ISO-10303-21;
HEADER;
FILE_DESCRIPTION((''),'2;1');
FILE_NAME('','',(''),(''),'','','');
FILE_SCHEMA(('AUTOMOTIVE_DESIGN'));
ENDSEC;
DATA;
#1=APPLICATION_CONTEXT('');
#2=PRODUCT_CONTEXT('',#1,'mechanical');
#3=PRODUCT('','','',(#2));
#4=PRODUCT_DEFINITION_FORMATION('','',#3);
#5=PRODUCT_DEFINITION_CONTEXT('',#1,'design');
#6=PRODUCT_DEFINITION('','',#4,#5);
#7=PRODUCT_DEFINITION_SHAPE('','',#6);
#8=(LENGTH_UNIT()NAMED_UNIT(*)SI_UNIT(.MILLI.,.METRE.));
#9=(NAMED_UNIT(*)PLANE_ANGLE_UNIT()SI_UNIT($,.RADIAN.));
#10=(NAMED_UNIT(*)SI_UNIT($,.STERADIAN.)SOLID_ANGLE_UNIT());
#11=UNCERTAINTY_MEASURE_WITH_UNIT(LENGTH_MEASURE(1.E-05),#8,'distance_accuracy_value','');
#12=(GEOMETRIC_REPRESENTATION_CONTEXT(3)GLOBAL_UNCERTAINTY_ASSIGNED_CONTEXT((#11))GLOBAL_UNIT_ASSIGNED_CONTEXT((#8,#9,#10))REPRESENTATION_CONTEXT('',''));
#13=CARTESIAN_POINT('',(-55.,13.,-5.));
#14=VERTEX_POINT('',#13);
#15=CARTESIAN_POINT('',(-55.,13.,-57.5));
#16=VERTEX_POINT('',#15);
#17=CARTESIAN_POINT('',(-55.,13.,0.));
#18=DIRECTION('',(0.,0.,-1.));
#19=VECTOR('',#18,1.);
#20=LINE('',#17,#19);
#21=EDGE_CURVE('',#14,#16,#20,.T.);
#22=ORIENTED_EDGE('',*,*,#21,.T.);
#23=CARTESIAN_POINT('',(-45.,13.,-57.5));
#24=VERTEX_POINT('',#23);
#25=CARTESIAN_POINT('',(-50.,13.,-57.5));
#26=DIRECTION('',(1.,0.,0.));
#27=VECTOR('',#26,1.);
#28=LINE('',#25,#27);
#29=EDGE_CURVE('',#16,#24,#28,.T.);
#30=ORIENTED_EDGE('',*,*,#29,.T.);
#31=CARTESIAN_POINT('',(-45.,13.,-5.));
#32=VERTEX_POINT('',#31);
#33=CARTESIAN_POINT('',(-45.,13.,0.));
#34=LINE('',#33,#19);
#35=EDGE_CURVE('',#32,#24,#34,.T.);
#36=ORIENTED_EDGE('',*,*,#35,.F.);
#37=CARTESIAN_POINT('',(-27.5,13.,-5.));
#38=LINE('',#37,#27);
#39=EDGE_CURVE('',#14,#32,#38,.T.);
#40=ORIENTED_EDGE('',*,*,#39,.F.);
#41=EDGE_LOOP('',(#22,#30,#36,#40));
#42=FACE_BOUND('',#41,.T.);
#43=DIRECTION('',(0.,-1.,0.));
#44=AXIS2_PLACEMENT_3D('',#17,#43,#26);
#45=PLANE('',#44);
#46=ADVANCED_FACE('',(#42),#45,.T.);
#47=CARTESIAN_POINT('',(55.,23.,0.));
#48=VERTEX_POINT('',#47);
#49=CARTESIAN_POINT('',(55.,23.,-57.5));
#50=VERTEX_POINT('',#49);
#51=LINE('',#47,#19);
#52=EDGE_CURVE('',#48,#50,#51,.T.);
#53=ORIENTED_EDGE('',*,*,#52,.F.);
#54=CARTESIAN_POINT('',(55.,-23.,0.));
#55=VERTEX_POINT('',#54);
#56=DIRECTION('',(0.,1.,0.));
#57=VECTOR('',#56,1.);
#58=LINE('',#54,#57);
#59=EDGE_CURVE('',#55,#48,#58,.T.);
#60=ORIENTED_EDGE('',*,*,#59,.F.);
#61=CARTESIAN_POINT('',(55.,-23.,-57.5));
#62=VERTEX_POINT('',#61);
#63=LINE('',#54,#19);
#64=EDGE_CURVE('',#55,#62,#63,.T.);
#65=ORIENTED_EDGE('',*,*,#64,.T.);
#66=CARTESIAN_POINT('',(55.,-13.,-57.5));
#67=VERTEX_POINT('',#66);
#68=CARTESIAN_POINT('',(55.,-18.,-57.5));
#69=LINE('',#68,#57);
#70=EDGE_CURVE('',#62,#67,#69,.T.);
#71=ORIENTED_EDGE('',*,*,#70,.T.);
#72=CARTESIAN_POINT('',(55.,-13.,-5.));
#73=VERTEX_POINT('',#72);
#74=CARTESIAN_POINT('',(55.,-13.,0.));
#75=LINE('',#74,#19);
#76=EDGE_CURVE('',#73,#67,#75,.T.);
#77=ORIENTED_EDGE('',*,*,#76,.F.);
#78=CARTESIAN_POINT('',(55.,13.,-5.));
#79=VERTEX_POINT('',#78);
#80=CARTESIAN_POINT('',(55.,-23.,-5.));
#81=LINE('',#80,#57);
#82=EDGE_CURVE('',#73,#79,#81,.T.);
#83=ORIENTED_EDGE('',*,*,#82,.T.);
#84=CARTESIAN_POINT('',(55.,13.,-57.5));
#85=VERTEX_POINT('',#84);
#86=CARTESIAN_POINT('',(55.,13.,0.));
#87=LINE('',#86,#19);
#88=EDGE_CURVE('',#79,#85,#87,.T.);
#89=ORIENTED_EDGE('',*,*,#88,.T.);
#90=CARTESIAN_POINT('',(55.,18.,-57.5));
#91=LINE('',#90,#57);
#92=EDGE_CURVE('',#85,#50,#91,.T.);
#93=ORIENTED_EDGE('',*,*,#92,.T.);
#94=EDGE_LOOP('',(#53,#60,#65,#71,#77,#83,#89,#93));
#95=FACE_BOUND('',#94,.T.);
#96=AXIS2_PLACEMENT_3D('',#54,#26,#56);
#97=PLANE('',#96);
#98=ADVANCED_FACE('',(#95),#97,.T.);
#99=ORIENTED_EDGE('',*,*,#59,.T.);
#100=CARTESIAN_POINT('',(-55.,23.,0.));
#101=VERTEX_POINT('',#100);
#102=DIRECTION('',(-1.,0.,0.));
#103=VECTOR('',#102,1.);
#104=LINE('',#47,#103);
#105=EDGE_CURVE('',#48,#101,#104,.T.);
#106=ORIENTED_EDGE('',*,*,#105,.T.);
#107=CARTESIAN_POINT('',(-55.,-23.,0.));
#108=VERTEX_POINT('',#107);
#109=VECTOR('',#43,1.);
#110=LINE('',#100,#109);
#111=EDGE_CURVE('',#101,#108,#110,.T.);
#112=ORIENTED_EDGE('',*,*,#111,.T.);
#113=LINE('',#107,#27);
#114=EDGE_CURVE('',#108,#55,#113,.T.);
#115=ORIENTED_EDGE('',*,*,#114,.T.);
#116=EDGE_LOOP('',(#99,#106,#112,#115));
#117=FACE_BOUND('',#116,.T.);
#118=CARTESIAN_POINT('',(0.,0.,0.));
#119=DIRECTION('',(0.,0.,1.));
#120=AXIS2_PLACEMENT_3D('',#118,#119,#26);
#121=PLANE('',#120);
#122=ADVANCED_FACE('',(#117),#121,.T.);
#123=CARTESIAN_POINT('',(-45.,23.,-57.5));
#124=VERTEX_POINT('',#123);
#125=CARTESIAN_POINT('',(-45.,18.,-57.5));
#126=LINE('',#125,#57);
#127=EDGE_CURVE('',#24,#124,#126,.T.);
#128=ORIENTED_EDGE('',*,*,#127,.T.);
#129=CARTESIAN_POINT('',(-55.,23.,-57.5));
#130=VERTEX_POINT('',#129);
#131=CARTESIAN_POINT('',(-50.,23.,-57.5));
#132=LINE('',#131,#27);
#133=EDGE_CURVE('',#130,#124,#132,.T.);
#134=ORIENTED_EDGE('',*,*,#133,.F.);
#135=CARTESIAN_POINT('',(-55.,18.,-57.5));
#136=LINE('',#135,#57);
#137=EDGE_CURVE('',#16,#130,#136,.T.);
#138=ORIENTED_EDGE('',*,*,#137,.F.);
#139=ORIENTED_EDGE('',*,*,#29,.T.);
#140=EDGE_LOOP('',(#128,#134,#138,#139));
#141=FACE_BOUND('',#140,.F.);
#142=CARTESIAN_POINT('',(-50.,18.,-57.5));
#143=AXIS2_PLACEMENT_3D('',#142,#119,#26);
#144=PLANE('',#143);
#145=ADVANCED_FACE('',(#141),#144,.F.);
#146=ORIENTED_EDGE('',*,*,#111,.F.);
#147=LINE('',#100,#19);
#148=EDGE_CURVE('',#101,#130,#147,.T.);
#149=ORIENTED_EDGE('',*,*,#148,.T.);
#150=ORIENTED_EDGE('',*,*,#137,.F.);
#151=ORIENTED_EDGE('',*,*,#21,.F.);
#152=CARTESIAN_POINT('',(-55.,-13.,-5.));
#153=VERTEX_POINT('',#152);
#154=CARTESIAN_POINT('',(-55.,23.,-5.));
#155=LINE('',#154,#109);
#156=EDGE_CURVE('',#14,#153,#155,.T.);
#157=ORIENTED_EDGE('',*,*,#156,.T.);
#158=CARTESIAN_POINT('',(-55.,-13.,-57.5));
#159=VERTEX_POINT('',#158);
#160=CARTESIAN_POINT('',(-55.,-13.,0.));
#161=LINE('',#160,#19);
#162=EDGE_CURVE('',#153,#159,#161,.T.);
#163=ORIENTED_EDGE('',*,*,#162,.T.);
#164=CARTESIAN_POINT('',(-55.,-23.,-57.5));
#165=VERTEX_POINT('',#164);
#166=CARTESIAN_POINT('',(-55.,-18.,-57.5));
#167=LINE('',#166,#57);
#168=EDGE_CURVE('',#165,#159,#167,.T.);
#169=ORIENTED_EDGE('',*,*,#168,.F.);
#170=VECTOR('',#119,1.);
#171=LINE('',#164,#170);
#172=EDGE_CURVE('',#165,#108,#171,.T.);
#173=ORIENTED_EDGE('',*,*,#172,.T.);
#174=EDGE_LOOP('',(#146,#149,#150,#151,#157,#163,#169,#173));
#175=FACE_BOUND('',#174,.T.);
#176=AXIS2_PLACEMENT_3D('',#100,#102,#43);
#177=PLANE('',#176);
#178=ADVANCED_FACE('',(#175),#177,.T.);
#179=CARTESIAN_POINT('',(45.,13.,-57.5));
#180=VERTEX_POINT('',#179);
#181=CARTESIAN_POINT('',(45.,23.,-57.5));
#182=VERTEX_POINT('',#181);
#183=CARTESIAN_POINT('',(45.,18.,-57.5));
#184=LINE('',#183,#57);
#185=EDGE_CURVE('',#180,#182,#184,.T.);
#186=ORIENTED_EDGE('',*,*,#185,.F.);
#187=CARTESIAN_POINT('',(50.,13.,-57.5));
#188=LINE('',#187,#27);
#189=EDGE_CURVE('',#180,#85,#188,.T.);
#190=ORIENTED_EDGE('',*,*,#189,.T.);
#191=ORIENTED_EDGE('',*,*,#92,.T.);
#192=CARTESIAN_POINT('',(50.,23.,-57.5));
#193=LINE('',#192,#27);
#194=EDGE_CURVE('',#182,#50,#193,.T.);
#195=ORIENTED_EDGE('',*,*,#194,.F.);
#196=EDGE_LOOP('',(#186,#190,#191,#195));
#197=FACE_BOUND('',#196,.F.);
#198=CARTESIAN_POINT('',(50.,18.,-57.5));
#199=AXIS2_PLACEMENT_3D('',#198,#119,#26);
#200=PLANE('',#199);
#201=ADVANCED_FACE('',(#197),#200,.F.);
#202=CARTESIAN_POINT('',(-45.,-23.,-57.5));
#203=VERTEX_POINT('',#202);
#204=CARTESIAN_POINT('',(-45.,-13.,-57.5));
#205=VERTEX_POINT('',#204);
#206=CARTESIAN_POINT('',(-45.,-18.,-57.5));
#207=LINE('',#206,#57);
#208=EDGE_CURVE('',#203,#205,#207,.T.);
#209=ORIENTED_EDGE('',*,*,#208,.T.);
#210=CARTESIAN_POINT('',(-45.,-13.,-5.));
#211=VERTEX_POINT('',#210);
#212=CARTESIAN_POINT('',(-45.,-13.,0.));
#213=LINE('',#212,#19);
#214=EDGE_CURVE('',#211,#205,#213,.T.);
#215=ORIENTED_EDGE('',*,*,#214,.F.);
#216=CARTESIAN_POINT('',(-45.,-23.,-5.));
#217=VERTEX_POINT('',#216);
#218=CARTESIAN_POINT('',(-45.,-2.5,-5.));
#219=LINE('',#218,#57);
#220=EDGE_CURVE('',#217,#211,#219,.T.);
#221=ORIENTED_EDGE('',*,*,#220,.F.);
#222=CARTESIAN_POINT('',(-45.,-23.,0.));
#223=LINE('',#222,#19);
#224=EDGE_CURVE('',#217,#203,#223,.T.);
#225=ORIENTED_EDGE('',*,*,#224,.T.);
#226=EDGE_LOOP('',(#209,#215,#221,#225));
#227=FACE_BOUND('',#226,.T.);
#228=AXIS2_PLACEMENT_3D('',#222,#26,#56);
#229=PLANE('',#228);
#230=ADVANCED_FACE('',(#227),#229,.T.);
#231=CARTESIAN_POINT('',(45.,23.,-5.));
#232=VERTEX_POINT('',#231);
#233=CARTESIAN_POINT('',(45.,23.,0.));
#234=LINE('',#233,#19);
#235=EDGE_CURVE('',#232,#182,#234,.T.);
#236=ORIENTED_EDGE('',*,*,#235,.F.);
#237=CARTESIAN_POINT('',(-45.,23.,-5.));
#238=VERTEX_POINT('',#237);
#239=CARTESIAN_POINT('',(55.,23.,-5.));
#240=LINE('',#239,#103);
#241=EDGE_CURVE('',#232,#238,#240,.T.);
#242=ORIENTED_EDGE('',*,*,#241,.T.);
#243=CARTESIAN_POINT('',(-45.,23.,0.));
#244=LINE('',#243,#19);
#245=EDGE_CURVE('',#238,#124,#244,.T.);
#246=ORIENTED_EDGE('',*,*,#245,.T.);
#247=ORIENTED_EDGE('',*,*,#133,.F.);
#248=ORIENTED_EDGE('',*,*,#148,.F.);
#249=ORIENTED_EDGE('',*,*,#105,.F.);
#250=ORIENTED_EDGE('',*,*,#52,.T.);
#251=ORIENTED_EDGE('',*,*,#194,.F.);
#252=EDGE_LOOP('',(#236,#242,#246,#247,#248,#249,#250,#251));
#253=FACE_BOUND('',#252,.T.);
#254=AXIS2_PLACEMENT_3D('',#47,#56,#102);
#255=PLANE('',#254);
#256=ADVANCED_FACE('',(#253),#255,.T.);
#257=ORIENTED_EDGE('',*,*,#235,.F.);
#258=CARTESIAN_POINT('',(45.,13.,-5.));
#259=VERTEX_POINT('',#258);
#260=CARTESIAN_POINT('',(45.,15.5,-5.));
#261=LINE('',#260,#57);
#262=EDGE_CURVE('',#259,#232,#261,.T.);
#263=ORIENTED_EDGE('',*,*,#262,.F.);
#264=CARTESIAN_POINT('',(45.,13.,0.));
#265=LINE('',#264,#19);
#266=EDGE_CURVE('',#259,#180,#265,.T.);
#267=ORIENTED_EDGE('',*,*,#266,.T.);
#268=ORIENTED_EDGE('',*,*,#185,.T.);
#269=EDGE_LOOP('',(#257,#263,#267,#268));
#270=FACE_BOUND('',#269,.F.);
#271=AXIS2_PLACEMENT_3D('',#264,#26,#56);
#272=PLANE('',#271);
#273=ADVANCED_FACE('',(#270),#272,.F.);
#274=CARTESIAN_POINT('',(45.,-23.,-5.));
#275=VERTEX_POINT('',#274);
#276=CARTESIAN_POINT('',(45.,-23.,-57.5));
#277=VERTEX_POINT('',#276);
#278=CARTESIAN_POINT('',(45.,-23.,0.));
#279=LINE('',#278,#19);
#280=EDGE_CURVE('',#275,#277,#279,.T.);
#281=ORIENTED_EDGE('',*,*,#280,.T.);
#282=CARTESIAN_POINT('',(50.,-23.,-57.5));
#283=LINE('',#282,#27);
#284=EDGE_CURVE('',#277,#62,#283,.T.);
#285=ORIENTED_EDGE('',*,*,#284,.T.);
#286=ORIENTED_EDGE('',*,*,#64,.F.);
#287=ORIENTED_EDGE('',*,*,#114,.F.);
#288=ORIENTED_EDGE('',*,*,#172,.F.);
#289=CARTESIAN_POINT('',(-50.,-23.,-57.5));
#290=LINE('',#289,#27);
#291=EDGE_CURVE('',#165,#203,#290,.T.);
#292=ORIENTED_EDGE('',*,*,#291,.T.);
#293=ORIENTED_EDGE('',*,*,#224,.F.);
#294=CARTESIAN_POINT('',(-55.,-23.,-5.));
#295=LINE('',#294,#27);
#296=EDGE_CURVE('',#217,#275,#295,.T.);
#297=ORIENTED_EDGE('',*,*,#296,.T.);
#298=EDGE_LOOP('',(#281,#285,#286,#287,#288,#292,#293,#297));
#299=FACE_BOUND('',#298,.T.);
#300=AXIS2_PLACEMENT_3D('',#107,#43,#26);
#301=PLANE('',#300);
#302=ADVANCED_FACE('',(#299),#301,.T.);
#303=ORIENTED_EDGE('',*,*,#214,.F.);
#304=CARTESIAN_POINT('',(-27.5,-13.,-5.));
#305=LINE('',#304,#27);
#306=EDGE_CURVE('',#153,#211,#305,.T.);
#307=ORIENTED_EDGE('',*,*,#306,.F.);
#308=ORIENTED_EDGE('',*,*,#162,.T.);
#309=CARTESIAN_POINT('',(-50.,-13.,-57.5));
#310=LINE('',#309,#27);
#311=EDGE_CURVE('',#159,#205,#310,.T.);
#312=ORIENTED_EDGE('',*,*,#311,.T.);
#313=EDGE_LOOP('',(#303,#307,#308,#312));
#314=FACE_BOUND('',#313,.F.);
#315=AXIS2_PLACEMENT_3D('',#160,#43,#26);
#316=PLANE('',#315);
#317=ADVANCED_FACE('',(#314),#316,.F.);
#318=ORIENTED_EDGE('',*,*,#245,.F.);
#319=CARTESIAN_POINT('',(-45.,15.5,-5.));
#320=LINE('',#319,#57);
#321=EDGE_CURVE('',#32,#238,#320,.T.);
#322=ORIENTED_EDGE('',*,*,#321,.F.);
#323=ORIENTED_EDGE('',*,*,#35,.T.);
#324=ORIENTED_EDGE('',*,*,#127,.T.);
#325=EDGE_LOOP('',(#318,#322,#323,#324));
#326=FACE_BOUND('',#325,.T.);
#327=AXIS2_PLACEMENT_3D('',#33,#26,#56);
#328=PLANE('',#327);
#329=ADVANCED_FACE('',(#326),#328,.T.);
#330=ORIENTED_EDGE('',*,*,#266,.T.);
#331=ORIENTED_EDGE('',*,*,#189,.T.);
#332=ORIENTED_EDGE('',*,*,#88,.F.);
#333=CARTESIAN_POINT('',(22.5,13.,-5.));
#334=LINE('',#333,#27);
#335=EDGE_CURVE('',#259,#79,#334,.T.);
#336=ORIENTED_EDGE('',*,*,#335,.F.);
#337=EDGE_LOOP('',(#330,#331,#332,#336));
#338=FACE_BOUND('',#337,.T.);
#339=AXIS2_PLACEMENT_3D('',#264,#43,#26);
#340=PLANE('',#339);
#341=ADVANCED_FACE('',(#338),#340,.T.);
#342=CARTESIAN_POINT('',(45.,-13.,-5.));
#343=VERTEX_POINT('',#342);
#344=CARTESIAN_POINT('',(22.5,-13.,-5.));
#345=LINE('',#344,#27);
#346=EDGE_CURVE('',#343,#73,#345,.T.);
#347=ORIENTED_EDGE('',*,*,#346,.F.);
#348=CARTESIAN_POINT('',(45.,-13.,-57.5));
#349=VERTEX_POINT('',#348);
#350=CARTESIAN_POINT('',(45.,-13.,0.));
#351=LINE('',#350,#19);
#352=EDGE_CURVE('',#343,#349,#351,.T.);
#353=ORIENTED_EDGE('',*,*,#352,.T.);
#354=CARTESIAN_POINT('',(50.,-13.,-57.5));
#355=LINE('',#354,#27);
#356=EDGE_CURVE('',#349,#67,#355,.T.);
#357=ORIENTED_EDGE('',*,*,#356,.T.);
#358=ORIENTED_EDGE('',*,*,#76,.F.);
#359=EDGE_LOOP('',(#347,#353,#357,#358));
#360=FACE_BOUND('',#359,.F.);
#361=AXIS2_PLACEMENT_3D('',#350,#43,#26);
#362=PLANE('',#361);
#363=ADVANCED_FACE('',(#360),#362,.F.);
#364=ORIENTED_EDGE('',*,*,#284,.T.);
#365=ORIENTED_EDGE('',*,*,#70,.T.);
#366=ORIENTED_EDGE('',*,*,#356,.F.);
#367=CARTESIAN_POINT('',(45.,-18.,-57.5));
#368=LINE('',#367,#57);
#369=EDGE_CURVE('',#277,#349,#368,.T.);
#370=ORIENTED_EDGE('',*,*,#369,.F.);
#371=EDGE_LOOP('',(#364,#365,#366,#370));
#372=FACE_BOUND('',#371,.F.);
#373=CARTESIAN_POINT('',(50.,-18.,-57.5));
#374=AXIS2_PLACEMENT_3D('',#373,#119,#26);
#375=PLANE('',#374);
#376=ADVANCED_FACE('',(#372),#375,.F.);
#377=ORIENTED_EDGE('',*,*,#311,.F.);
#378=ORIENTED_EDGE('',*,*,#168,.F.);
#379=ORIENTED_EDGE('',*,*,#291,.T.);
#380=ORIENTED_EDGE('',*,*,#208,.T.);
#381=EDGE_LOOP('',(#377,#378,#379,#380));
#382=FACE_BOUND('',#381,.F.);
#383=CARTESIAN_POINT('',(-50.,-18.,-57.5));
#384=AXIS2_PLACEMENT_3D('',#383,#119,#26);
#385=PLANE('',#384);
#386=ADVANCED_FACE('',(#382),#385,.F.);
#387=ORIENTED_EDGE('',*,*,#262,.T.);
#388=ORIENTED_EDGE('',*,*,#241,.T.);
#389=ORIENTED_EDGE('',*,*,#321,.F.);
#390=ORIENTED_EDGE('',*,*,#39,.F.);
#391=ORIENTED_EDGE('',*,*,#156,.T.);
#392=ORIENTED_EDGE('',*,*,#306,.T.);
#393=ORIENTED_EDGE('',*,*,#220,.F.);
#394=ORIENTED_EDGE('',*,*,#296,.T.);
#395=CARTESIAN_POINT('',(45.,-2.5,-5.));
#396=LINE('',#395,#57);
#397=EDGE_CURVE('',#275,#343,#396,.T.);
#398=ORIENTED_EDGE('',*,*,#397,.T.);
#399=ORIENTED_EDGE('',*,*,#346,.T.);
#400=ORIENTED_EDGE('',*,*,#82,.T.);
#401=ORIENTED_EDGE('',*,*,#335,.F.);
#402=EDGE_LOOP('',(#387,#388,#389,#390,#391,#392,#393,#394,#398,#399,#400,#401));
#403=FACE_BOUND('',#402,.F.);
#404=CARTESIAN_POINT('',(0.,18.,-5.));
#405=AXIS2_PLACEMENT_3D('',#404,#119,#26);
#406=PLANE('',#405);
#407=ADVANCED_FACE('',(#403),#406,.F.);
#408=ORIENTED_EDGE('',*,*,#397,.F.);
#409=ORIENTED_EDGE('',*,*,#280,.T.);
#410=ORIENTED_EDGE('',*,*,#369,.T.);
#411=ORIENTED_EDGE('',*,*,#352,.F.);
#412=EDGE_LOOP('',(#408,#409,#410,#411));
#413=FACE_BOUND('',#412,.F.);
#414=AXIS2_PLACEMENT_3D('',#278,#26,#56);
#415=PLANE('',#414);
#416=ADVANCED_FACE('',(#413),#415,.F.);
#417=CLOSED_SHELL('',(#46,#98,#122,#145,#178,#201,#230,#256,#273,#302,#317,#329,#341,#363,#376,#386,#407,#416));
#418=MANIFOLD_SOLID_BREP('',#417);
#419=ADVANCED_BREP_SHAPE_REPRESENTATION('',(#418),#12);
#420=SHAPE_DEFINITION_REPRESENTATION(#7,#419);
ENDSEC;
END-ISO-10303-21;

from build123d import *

# Parameters (mm, degrees)
F0_W     = 90
F0_H     = 10
F0_W_2   = 10
F0_H_2   = 26
F1_DEPTH = 5
F2_DEPTH = 5
F3_DEPTH = 57.5


with BuildPart() as f1:
    # F0 (on Top) → F1 (new body)
    with BuildSketch(Plane.XY):
        with Locations((0, 18)):
            Rectangle(F0_W, F0_H)
        with Locations((-50, 0)):
            Rectangle(F0_W_2, F0_H_2)
        with Locations((-50, 18)):
            Rectangle(F0_W_2, F0_H)
        with Locations((50, 0)):
            Rectangle(F0_W_2, F0_H_2)
        with Locations((50, 18)):
            Rectangle(F0_W_2, F0_H)
        with Locations((-50, -18)):
            Rectangle(F0_W_2, F0_H)
        with Locations((0, -18)):
            Rectangle(F0_W, F0_H)
        with Locations((50, -18)):
            Rectangle(F0_W_2, F0_H)
    extrude(amount=-F1_DEPTH)

    # F0 (on Top) → F2 (join)
    with BuildSketch(Plane.XY):
        Rectangle(F0_W, F0_H_2)
    extrude(amount=-F2_DEPTH)

    # F0 (on Top) → F3 (join)
    with BuildSketch(Plane.XY):
        with Locations((-50, 18)):
            Rectangle(F0_W_2, F0_H)
        with Locations((50, 18)):
            Rectangle(F0_W_2, F0_H)
        with Locations((50, -18)):
            Rectangle(F0_W_2, F0_H)
        with Locations((-50, -18)):
            Rectangle(F0_W_2, F0_H)
    extrude(amount=-F3_DEPTH)


solid = f1.part
